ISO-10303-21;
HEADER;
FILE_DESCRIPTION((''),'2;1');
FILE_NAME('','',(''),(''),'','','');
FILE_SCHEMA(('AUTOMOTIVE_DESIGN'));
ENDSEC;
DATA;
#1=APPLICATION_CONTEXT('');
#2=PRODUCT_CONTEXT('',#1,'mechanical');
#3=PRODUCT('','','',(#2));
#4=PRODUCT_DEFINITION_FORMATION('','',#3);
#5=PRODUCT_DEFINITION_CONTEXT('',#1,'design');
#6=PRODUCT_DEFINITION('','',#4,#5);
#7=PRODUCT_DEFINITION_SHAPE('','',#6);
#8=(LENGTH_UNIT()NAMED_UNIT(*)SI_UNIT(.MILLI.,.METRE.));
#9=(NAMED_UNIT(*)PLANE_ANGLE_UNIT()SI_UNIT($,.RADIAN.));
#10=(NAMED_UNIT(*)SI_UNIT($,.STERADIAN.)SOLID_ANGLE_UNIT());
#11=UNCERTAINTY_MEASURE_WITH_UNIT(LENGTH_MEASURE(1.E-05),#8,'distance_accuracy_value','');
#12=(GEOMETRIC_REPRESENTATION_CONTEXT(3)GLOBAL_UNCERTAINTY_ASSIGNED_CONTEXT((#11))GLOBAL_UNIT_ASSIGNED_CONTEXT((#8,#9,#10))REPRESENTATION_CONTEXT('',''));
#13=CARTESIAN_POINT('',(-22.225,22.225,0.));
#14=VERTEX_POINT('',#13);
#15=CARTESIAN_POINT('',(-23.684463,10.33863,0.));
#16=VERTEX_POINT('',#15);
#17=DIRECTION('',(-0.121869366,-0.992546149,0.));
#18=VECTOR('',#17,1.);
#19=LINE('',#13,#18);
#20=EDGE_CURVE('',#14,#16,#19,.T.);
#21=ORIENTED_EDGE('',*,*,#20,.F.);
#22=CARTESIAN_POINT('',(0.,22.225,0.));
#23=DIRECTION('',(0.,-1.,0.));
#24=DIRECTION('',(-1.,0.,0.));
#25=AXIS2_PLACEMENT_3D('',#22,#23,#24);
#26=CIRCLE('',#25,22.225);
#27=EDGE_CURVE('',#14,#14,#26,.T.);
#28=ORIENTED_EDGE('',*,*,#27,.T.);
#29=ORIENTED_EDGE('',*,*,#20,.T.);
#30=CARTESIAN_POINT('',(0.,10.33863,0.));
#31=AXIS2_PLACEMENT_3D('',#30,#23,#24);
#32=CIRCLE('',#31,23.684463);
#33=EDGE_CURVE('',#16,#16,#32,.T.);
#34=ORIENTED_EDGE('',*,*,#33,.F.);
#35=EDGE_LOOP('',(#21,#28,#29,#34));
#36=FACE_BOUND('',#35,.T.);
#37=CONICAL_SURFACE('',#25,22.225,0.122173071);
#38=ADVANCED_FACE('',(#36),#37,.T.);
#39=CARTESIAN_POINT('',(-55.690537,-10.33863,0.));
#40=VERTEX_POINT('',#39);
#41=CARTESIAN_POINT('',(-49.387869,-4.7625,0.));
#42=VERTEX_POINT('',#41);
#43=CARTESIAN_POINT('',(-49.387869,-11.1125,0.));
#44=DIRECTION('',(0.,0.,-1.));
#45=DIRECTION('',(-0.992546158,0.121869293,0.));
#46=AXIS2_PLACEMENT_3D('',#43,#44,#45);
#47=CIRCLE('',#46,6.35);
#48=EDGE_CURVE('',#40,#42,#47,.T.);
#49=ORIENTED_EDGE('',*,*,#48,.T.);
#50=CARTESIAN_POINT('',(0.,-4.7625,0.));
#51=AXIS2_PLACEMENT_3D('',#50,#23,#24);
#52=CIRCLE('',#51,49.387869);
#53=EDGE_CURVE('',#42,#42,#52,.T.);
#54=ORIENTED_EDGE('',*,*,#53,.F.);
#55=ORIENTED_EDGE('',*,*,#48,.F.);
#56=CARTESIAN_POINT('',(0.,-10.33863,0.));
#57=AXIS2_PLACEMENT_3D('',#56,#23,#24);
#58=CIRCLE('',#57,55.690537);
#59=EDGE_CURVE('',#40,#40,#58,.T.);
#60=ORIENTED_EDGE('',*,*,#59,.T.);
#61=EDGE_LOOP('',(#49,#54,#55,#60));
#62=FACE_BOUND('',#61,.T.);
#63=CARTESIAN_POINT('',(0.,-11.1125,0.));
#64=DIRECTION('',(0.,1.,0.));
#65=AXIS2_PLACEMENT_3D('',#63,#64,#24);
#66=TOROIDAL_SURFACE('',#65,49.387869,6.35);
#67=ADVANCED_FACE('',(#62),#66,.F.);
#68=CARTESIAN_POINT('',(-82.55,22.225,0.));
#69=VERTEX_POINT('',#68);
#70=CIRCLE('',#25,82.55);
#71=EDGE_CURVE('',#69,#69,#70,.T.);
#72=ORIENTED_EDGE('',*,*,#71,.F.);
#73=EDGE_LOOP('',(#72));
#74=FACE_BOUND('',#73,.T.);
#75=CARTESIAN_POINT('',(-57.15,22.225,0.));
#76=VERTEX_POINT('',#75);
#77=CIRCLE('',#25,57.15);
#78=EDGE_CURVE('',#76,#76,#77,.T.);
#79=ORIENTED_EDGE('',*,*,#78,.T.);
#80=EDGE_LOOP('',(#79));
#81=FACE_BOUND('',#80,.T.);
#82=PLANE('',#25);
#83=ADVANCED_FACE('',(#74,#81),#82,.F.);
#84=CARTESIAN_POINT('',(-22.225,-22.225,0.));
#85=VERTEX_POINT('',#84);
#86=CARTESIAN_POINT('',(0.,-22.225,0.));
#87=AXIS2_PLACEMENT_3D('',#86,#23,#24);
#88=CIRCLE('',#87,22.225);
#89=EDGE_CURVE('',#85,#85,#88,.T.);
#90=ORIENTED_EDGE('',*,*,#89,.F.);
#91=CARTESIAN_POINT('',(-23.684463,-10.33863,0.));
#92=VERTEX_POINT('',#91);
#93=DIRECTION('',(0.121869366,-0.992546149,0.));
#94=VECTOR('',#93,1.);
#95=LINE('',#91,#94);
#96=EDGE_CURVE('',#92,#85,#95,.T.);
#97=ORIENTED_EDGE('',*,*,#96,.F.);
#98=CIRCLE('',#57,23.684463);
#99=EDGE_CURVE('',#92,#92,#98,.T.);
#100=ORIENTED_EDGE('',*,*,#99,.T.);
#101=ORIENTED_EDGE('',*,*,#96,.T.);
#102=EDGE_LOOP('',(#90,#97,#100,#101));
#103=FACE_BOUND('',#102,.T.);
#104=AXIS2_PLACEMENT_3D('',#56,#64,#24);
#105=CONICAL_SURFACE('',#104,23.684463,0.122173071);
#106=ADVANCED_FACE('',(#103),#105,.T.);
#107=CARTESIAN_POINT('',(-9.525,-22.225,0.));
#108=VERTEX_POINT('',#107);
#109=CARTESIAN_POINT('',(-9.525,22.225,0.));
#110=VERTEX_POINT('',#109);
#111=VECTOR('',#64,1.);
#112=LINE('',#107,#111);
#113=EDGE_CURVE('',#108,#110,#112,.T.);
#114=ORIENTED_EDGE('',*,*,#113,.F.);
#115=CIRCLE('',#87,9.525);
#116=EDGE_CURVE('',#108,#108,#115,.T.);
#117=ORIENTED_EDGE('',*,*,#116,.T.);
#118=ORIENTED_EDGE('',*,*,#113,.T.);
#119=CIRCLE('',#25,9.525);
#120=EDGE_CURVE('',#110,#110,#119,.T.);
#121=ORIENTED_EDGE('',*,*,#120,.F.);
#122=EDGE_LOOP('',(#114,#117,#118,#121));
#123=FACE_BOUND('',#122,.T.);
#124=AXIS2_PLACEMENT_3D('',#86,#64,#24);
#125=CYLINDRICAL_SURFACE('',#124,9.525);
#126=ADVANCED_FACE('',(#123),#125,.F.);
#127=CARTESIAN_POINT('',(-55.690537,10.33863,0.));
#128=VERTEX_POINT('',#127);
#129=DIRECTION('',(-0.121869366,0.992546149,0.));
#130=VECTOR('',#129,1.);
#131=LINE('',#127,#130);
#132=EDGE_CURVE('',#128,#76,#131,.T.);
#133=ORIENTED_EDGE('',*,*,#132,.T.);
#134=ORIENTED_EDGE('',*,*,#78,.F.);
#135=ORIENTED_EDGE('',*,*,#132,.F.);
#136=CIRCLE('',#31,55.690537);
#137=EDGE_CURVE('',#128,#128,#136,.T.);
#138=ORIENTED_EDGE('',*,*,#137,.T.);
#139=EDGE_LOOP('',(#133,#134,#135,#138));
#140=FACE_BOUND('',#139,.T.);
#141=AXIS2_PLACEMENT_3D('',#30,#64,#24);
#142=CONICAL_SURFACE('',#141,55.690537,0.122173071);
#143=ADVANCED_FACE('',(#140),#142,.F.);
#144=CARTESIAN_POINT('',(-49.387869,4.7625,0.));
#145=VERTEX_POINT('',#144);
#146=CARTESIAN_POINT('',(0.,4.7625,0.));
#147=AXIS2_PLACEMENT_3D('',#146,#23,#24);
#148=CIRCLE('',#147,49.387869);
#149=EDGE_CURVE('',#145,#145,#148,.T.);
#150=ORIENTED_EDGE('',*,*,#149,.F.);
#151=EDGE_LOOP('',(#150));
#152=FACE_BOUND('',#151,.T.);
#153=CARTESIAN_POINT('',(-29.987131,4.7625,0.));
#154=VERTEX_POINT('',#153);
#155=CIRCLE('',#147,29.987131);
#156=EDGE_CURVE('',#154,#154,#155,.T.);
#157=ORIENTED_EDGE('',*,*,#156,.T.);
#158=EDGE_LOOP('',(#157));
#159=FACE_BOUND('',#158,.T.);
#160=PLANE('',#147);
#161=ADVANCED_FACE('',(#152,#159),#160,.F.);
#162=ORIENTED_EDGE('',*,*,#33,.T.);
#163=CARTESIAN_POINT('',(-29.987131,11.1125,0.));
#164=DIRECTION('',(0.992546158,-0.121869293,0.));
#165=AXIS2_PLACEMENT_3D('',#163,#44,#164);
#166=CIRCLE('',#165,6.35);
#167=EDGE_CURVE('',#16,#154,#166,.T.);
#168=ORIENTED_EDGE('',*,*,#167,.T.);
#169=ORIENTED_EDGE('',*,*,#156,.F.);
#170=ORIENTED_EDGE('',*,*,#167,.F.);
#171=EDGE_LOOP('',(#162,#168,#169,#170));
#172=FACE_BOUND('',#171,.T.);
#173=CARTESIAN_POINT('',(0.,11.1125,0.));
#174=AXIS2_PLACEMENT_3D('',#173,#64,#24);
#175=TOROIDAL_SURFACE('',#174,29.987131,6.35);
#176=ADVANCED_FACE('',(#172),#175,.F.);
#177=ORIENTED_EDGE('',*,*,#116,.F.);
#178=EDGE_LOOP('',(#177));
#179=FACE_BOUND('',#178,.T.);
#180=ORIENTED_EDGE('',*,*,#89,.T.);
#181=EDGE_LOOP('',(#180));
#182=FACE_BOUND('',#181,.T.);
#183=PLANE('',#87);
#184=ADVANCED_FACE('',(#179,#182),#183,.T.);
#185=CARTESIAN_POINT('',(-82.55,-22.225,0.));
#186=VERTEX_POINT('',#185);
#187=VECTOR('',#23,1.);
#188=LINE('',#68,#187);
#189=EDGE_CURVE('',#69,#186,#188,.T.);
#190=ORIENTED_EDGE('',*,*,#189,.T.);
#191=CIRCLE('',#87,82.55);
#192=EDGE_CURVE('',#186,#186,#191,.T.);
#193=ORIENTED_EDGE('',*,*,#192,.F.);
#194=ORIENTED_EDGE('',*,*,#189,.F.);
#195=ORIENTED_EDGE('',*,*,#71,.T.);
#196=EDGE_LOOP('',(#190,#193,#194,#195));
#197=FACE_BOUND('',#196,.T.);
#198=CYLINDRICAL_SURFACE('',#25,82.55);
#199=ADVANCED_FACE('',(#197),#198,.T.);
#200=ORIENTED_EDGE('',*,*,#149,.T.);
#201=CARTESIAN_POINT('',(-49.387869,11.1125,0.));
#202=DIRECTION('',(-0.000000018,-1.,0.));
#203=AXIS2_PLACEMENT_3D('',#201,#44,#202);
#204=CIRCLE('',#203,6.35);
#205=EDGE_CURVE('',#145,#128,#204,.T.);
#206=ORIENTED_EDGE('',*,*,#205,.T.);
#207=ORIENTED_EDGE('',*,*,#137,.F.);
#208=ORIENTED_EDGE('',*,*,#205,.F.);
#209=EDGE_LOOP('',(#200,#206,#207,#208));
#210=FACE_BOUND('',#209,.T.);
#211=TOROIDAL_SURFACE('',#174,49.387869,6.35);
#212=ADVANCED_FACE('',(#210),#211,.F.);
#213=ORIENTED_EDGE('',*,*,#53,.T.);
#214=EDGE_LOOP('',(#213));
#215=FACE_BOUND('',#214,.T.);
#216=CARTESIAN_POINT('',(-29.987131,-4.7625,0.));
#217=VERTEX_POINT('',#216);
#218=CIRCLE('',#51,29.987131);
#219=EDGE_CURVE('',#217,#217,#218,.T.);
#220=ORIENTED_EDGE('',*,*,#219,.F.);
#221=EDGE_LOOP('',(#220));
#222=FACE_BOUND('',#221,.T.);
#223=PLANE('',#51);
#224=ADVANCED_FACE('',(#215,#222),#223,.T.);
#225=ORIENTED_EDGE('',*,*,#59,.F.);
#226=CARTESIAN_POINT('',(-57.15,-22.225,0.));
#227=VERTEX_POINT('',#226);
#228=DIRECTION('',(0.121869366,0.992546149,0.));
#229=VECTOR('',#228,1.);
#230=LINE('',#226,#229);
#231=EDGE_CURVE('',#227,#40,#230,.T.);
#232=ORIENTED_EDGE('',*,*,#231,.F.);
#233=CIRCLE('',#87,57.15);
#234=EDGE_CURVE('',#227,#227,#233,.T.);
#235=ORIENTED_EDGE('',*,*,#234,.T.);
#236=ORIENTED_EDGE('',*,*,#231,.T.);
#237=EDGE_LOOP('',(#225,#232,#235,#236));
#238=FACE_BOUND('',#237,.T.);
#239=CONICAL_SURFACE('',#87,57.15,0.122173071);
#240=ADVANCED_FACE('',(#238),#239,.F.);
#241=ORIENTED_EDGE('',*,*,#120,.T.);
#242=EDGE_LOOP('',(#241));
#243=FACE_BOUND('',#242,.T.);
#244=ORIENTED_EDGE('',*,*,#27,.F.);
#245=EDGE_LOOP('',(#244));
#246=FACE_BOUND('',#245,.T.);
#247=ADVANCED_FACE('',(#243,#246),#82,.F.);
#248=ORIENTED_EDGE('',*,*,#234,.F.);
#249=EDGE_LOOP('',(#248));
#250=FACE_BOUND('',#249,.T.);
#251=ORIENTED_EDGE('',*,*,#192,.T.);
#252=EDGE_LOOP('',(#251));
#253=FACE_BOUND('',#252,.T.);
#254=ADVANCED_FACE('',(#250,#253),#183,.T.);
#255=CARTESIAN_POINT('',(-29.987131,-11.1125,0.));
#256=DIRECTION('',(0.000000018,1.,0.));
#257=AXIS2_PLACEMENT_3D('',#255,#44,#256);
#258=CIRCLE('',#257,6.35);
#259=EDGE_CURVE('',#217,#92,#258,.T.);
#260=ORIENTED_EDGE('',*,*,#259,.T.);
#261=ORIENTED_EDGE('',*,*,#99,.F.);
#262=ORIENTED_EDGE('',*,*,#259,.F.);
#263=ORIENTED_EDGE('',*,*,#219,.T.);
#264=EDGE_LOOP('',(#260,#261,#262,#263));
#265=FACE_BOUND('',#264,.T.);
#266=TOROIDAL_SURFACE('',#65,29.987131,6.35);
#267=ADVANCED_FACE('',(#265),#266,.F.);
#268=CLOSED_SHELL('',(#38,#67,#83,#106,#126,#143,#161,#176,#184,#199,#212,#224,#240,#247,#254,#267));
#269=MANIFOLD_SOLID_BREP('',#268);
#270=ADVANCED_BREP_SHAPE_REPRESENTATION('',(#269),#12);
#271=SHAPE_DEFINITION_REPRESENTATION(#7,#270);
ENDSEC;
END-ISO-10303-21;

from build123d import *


with BuildPart() as f1:
    # F0 (on Top) → F1 (revolve)
    with BuildSketch(Plane.XY):
        with BuildLine():
            Line((-9.525, 0), (-9.525, 22.225))
            Line((-9.525, 22.225), (-22.225, 22.225))
            Line((-22.225, 22.225), (-23.684463, 10.33863))
            ThreePointArc((-23.684463, 10.33863), (-25.779494, 6.356631), (-29.987131, 4.7625))
            Line((-29.987131, 4.7625), (-49.387869, 4.7625))
            ThreePointArc((-49.387869, 4.7625), (-53.595506, 6.356631), (-55.690537, 10.33863))
            Line((-55.690537, 10.33863), (-57.15, 22.225))
            Line((-57.15, 22.225), (-82.55, 22.225))
            Line((-82.55, 22.225), (-82.55, 0))
            Line((-82.55, 0), (-82.55, -22.225))
            Line((-82.55, -22.225), (-57.15, -22.225))
            Line((-57.15, -22.225), (-55.690537, -10.33863))
            ThreePointArc((-55.690537, -10.33863), (-53.595506, -6.356631), (-49.387869, -4.7625))
            Line((-49.387869, -4.7625), (-29.987131, -4.7625))
            ThreePointArc((-29.987131, -4.7625), (-25.779494, -6.356631), (-23.684463, -10.33863))
            Line((-23.684463, -10.33863), (-22.225, -22.225))
            Line((-22.225, -22.225), (-9.525, -22.225))
            Line((-9.525, -22.225), (-9.525, 0))
        make_face()
    revolve(axis=Axis((0, 5.129997, 0), (0, -1, 0)))


solid = f1.part
